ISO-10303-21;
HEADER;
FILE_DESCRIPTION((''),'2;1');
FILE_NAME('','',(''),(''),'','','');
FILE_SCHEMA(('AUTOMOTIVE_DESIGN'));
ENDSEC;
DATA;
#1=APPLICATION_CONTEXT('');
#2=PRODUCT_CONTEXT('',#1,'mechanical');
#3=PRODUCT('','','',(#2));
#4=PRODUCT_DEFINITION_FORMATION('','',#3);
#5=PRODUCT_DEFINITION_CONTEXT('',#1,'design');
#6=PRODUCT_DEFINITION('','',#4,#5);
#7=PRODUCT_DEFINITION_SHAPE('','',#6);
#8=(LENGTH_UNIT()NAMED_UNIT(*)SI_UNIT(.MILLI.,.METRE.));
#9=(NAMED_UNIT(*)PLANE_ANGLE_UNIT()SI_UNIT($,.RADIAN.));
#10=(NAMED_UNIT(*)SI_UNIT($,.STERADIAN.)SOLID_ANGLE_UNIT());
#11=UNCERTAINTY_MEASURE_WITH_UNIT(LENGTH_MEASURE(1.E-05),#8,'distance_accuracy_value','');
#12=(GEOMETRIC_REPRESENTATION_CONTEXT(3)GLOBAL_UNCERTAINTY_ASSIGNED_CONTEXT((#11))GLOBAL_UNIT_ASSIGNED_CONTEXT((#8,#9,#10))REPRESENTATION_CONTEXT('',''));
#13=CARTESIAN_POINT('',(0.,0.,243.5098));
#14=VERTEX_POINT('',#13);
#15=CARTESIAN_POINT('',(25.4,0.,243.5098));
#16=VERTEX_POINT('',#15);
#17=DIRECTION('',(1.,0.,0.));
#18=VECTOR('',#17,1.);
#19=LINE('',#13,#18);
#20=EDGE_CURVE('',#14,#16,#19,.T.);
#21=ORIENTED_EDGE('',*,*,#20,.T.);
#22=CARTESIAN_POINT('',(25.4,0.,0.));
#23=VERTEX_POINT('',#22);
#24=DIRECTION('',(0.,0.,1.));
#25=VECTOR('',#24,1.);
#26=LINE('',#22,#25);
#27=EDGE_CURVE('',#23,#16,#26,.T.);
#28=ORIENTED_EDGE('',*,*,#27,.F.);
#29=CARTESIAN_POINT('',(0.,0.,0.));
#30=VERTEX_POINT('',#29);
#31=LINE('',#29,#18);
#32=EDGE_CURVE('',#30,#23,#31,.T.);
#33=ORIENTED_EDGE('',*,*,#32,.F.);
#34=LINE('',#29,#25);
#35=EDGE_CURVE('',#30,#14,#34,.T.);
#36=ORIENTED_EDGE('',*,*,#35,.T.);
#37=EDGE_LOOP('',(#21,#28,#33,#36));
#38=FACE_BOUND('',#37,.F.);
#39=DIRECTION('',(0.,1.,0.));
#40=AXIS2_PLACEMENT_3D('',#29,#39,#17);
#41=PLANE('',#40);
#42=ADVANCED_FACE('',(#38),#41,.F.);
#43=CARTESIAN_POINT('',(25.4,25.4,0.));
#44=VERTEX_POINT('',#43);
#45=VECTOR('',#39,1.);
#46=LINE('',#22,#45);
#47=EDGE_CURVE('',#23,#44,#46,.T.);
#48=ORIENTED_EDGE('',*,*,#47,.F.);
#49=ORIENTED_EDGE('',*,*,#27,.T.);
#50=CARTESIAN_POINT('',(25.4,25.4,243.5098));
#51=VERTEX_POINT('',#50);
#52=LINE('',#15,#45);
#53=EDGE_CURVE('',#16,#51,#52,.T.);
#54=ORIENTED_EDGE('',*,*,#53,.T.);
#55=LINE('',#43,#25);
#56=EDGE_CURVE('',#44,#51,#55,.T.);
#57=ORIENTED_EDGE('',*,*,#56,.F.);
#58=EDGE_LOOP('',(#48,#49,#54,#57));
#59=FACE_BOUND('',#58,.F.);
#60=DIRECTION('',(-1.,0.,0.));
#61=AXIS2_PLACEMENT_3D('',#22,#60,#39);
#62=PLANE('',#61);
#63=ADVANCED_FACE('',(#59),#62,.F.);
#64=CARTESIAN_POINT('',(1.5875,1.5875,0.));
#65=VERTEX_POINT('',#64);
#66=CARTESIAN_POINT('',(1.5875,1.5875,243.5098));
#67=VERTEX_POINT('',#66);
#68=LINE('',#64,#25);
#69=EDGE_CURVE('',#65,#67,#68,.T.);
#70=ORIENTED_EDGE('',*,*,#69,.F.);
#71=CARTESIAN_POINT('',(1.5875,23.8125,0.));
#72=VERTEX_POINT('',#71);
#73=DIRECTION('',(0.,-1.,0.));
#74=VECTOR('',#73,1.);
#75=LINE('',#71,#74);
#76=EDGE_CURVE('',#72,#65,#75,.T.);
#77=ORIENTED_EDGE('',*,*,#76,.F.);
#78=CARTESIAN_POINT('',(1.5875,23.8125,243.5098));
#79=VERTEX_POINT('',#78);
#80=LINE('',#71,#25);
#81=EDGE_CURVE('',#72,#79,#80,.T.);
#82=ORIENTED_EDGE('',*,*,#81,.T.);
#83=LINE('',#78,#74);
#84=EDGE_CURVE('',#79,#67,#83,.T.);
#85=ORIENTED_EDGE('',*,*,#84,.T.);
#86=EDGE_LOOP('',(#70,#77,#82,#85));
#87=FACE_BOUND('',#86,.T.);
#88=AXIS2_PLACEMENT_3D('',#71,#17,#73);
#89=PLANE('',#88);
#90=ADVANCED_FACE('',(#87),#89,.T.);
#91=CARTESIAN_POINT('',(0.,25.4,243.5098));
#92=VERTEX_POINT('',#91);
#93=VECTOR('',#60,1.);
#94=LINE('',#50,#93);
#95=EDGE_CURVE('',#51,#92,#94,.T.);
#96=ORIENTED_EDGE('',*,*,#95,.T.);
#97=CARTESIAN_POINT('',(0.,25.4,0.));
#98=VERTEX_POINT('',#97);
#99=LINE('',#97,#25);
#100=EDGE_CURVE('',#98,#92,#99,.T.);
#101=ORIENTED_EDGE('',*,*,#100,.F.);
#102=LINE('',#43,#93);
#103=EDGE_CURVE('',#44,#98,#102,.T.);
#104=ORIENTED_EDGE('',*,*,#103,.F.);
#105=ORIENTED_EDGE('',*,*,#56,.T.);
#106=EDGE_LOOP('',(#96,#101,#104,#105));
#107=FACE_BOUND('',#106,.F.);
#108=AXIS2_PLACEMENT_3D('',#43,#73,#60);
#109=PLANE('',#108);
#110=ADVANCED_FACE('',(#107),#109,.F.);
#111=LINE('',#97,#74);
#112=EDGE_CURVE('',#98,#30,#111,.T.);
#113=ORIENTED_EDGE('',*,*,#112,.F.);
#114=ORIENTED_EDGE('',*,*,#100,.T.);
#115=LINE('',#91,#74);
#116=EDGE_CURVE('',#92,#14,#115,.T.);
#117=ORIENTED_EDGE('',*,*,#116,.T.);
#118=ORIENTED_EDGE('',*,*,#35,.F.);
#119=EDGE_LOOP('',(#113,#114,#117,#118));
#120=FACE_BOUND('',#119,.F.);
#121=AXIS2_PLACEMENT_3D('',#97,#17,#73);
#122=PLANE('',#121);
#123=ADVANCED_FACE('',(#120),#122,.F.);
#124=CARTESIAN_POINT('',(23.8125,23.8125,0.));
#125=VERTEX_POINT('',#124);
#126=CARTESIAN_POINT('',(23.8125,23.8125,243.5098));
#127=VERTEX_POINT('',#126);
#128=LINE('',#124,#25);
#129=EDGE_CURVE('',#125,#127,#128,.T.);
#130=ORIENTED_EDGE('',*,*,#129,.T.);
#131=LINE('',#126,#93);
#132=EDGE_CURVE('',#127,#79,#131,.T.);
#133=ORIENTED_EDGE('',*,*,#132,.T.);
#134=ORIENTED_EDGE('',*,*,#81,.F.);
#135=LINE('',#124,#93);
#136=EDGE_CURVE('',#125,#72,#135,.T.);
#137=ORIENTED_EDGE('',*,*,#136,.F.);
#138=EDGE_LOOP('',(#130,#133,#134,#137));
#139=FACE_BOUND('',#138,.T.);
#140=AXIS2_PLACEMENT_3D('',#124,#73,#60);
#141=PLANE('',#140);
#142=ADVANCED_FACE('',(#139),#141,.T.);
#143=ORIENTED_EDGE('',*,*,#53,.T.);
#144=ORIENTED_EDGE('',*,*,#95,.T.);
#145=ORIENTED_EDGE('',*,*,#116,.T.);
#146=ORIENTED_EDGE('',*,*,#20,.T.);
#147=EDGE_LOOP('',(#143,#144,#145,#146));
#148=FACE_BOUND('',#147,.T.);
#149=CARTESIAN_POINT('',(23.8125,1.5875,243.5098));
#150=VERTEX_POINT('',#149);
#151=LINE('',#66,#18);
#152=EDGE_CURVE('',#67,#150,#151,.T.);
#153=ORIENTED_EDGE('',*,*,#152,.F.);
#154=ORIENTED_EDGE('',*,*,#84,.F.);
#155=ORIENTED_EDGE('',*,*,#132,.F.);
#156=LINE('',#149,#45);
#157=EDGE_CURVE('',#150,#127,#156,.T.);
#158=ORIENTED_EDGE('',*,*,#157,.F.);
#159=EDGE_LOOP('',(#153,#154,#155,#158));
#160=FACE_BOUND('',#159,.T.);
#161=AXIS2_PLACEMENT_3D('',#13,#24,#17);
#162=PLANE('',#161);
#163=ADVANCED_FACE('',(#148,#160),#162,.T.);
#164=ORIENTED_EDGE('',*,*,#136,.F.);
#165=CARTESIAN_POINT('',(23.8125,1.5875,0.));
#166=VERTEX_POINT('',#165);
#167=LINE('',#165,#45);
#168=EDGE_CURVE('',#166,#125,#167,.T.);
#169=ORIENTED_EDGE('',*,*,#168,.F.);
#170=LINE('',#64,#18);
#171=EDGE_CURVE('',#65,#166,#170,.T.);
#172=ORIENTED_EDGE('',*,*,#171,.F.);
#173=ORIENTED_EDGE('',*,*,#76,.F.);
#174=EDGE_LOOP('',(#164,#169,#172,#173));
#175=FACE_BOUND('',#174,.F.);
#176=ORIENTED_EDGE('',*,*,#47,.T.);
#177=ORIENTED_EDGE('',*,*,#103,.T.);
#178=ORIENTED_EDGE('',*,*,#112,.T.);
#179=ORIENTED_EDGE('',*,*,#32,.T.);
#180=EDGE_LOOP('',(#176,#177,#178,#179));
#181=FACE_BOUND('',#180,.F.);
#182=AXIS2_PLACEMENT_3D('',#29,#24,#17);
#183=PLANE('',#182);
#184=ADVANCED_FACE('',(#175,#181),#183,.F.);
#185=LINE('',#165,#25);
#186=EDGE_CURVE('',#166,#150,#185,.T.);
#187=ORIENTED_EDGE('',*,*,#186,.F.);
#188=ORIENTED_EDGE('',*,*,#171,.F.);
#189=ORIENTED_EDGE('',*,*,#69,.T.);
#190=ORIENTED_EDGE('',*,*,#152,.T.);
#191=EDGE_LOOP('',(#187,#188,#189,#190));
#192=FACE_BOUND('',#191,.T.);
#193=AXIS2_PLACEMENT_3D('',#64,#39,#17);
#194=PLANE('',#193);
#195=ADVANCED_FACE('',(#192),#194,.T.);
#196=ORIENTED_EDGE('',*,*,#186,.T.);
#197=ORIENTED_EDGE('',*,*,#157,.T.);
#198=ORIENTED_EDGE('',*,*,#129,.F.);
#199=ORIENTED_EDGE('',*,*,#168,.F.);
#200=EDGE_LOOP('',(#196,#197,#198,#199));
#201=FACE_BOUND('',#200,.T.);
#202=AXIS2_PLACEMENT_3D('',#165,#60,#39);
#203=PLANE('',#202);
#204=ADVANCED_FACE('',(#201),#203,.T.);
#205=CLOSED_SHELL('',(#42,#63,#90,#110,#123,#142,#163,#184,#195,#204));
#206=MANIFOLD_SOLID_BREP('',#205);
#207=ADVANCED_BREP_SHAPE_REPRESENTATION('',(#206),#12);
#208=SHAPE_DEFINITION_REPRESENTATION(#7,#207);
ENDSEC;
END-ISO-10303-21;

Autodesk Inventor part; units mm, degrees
ref_plane "YZ Plane" through (0, 0, 0) normal (1, 0, 0) x (0, 1, 0)
ref_plane "XZ Plane" through (0, 0, 0) normal (0, 1, 0) x (-1, 0, 0)
ref_plane "XY Plane" through (0, 0, 0) normal (0, 0, 1) x (1, 0, 0)
sketch "Sketch1" plane through (0, 0, 0) normal (0, 0, 1) x (1, 0, 0)
  line L0 (0, 0) -> (25.4, 0)
  line L1 (25.4, 0) -> (25.4, 25.4)
  line L2 (25.4, 25.4) -> (0, 25.4)
  line L3 (0, 25.4) -> (0, 0)
  line L4 (1.5875, 1.5875) -> (23.8125, 1.5875)
  line L5 (23.8125, 1.5875) -> (23.8125, 23.8125)
  line L6 (23.8125, 23.8125) -> (1.5875, 23.8125)
  line L7 (1.5875, 23.8125) -> (1.5875, 1.5875)
  dimension "d0" = 25.4
  dimension "d1" = 25.4
  dimension "d2" = 1.5875
extrude "Extrusion1" add sketch "Sketch1" along normal blind 243.5098
properties part number "FRA_017_BackCenterSupport" material "Aluminum 6061"
